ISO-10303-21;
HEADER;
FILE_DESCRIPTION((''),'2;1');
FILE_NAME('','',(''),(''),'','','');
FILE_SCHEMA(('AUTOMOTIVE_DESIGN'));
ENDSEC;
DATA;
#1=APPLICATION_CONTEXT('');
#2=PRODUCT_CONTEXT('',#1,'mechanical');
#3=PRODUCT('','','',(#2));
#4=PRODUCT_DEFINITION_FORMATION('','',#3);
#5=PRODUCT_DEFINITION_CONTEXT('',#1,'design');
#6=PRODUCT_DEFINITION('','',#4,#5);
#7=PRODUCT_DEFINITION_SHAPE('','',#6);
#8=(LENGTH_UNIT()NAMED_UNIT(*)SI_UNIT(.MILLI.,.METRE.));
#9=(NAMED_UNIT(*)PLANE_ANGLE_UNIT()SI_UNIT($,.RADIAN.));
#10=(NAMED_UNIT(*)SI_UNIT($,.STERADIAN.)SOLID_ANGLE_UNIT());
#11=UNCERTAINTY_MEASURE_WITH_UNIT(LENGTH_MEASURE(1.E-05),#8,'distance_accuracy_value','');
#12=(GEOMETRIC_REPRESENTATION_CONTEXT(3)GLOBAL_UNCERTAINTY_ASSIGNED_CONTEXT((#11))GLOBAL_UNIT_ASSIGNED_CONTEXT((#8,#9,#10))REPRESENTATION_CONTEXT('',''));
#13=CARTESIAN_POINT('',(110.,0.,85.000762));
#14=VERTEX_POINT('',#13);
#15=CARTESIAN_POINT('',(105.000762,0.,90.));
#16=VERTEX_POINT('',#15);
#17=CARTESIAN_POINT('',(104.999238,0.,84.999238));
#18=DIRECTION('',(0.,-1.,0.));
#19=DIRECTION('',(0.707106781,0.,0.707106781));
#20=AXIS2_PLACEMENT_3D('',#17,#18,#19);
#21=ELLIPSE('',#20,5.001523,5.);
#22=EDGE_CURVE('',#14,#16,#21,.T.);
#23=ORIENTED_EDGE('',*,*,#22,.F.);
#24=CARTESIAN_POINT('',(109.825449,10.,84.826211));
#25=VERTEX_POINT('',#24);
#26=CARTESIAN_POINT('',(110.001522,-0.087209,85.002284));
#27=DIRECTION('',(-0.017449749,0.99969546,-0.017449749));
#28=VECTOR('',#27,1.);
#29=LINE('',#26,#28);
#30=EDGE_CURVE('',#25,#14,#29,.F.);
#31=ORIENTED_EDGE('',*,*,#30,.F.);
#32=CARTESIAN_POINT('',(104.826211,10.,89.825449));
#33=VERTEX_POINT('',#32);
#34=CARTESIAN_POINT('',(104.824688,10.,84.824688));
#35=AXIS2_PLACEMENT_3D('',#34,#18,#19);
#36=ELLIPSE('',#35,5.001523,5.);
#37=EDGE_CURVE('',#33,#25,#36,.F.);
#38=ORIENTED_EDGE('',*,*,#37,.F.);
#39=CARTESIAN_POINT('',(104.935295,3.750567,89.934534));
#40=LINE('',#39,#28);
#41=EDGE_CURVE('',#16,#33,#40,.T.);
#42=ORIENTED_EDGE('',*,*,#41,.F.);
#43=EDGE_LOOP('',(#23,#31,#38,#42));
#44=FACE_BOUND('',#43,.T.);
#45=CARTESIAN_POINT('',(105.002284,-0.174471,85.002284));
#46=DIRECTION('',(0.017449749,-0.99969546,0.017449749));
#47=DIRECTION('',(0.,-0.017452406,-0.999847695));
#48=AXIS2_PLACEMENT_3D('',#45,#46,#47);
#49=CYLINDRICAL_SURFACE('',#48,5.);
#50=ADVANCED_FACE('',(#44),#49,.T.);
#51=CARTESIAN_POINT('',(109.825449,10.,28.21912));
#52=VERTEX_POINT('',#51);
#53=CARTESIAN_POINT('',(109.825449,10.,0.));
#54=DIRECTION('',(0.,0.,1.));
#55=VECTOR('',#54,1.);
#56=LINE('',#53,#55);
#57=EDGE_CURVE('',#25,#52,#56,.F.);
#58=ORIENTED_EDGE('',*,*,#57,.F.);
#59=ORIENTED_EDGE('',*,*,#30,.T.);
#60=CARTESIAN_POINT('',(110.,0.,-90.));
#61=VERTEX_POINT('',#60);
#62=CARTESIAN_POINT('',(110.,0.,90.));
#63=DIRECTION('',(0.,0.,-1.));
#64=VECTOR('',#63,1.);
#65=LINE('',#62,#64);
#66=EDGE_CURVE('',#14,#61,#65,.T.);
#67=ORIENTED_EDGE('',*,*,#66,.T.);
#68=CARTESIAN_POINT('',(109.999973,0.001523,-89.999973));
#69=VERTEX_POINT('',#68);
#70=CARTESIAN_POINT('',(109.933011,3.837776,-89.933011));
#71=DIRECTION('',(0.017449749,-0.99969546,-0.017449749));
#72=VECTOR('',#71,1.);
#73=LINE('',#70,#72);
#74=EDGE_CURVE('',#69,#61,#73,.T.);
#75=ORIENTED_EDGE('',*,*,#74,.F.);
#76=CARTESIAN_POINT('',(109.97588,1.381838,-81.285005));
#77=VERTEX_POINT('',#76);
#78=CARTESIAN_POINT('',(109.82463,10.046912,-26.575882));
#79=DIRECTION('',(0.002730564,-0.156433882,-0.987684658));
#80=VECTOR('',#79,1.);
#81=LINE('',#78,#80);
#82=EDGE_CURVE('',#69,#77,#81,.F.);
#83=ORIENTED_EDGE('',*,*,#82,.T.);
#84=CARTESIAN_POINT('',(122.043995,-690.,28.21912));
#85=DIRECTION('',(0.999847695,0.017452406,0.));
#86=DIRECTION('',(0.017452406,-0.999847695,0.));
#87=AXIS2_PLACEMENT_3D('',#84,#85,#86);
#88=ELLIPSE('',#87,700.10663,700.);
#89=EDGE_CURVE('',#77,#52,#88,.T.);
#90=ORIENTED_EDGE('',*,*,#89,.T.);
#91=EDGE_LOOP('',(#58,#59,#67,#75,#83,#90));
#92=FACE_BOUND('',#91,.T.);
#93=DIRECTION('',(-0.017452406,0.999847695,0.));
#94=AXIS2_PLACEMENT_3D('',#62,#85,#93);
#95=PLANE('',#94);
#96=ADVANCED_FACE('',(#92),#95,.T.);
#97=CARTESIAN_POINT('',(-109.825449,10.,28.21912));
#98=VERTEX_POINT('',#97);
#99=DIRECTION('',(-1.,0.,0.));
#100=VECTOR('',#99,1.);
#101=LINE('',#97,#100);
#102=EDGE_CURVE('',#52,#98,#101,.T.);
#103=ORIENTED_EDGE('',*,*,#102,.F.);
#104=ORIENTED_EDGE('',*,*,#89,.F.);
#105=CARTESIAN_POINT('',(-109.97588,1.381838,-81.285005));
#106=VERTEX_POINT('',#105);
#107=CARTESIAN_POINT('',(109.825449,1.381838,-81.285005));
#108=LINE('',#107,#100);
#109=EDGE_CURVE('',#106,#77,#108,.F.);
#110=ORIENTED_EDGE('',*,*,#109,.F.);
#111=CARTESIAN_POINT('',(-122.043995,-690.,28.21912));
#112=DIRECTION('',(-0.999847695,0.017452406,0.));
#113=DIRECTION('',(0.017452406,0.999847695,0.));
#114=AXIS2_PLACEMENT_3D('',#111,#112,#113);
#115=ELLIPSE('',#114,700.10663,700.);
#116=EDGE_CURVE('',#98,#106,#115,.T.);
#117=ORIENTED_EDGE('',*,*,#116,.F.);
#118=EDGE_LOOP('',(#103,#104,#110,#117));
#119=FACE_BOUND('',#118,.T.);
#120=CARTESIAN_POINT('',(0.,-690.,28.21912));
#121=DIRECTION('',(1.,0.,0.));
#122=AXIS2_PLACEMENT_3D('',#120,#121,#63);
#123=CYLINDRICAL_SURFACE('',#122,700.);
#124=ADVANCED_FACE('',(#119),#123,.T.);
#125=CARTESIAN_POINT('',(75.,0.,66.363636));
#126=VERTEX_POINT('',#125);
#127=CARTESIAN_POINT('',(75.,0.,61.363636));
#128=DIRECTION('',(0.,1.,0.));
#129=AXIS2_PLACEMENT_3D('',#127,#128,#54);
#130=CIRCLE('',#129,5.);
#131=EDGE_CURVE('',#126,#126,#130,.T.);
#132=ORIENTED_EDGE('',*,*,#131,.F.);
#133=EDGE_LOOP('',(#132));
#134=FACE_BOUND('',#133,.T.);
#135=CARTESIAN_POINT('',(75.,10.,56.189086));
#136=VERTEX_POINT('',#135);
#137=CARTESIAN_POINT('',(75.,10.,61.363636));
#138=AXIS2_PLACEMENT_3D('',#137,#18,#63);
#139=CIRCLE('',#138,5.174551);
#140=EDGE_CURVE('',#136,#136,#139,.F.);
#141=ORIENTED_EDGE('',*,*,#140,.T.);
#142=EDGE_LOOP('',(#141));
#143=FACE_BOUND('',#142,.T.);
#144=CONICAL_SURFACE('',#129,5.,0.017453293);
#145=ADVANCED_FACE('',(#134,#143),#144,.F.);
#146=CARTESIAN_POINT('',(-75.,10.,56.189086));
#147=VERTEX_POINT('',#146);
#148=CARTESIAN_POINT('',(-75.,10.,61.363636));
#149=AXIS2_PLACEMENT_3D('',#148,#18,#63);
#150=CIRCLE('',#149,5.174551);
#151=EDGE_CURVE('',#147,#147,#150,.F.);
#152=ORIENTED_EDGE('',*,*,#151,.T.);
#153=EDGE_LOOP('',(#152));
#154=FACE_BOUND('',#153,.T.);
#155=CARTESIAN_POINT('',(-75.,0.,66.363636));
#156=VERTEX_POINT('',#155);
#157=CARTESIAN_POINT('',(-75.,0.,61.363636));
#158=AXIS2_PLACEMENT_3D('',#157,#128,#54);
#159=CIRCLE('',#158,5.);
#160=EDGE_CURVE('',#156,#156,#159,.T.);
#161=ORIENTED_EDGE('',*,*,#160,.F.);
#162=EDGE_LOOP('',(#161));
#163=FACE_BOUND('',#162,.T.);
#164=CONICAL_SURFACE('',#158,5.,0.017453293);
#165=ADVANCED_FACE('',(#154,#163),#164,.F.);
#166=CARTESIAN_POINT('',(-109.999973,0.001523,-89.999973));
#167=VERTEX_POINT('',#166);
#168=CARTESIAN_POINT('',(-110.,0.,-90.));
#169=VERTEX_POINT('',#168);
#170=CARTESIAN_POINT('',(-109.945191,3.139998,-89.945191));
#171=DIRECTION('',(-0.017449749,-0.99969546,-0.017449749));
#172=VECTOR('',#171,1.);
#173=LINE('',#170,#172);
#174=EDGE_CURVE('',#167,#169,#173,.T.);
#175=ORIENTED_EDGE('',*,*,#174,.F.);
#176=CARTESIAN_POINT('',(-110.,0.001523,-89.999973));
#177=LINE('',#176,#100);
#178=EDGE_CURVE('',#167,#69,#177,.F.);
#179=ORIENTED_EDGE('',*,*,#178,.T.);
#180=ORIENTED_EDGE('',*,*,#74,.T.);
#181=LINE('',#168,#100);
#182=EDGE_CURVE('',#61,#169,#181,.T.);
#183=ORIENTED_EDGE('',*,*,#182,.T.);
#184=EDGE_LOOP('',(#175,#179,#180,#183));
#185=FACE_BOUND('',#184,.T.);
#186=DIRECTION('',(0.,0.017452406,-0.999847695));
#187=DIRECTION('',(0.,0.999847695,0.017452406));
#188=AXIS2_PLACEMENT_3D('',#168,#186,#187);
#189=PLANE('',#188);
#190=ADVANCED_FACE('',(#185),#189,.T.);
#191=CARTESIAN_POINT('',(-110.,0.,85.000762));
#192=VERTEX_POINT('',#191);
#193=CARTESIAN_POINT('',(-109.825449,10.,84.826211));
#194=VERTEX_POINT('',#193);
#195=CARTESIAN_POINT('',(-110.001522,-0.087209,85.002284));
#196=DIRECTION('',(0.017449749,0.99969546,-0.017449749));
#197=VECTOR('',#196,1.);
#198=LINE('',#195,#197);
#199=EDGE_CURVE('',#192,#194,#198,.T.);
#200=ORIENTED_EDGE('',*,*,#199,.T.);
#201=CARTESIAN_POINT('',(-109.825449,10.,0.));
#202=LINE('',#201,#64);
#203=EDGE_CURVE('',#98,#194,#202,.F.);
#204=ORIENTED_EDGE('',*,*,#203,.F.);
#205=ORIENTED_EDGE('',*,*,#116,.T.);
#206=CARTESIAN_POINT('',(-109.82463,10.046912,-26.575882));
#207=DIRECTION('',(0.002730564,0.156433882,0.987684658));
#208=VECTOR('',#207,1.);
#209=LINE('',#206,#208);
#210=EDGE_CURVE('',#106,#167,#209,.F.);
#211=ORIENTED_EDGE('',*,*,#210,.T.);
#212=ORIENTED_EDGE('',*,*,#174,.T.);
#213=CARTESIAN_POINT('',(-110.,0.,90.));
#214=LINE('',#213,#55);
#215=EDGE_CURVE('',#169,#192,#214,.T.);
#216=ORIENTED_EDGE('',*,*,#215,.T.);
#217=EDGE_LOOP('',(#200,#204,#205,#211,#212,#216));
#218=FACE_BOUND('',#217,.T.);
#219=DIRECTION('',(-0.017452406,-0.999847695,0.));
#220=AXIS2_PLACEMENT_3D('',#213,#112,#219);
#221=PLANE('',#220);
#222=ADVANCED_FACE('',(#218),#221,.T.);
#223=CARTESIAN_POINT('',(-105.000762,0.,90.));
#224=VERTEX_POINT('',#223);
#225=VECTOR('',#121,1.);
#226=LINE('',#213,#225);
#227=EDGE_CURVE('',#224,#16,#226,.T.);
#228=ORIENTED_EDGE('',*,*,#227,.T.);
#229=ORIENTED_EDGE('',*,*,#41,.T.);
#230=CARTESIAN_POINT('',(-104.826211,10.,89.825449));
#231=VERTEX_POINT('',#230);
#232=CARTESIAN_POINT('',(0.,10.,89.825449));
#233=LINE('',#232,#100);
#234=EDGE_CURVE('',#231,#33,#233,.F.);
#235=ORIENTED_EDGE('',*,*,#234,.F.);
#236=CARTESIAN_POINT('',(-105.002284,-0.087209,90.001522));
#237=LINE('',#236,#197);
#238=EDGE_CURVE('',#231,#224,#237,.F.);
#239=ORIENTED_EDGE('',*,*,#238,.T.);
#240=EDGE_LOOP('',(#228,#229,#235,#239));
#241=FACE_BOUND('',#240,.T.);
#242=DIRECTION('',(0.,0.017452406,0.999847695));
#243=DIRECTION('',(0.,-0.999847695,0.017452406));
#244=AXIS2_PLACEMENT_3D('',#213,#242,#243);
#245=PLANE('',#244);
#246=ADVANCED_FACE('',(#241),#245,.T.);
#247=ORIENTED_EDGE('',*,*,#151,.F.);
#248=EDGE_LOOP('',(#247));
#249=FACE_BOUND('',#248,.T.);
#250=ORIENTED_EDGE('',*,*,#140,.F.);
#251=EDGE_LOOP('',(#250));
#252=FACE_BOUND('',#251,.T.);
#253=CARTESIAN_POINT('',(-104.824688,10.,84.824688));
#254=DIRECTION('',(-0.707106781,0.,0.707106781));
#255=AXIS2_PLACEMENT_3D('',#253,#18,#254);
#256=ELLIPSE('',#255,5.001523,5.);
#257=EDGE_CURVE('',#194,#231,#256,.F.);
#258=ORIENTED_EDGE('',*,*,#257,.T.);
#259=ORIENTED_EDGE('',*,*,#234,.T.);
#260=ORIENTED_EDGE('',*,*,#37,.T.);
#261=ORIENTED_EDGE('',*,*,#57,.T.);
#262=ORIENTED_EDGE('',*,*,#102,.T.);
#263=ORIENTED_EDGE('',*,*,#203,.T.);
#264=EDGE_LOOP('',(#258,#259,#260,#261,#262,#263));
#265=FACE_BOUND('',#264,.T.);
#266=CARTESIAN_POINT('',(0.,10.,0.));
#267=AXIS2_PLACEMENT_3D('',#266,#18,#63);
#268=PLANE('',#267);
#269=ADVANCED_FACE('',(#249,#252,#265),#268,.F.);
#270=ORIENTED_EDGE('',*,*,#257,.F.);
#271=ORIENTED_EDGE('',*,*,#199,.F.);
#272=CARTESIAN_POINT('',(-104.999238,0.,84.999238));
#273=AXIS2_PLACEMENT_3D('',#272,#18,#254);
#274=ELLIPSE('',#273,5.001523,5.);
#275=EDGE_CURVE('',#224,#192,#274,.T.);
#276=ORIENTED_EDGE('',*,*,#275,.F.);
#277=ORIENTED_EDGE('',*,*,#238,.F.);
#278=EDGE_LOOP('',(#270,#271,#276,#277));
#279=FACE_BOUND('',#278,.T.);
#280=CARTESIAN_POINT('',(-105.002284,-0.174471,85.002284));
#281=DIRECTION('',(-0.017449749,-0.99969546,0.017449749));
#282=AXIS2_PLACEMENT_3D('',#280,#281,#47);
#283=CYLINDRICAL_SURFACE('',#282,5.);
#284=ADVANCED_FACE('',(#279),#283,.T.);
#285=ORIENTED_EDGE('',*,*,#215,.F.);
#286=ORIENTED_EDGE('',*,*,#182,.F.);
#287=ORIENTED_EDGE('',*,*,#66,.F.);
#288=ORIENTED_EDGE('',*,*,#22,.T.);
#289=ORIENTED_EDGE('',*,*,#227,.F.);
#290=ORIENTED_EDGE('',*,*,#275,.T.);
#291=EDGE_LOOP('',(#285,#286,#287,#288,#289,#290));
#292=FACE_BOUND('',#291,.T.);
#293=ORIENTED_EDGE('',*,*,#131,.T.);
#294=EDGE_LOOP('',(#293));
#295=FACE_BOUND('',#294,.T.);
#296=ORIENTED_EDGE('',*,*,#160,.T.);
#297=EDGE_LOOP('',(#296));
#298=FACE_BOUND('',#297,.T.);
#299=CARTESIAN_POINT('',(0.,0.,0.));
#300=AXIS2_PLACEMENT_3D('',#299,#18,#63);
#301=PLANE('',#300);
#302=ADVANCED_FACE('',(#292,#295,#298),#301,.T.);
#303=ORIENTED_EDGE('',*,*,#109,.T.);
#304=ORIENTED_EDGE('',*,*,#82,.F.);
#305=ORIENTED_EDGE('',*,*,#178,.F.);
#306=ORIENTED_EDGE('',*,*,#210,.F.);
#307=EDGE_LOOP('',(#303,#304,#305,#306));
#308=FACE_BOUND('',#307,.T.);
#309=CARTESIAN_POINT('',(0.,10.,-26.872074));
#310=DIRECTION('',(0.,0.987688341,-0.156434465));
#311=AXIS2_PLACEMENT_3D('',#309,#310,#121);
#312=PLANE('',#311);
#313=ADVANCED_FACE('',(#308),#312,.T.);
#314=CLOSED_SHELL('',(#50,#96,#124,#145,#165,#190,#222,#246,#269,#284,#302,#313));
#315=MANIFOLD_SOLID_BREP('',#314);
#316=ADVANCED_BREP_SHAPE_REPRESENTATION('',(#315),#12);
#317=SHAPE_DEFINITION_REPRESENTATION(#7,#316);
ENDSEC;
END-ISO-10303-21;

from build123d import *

# Parameters (mm, degrees)
SKETCH_1_W      = 220
SKETCH_1_H      = 180
SKETCH_1_R      = 5
EXTRUDE_1_DEPTH = 10
EXTRUDE_1_DRAFT = 1
FILLET_1_R      = 5
CHAMFER_1_SIZE  = 10
CHAMFER_1_SIZE2 = 62.953374933
FILLET_2_R      = 700


with BuildPart() as part:
    # 草图1 → 凸台-拉伸1 (with draft: the straight prism first)
    with BuildSketch(Plane(origin=(0, 0, 0), x_dir=(1, 0, 0), z_dir=(0, 1, 0))):
        Rectangle(SKETCH_1_W, SKETCH_1_H)
        with Locations((-75, -61.363636364)):
            Circle(SKETCH_1_R, mode=Mode.SUBTRACT)
        with Locations((75, -61.363636364)):
            Circle(SKETCH_1_R, mode=Mode.SUBTRACT)
    extrude(amount=EXTRUDE_1_DEPTH)
    # 凸台-拉伸1: the draft: its side faces are tilted about the plane it starts from
    extrude_1_sides = [part.faces().sort_by_distance(p)[0] for p in [
        (0, 5, 90),
        (110, 5, 0),
        (0, 5, -90),
        (-110, 5, 0),
        (-80, 5, 61.363636364),
        (70, 5, 61.363636364),
    ]]
    draft(extrude_1_sides, Plane(origin=(0, 0, 0), x_dir=(1, 0, 0), z_dir=(0, 1, 0)), EXTRUDE_1_DRAFT)

    # 圆角1
    fillet_1_edges = [part.edges().sort_by_distance(p)[0] for p in [
        (109.912724675, 5, 89.912724675),
        (-109.912724675, 5, 89.912724675),
    ]]
    fillet(fillet_1_edges, radius=FILLET_1_R)

    # 倒角1
    chamfer_1_edges = [part.edges().sort_by_distance(p)[0] for p in [
        (0, 10, -89.825449351),
    ]]
    chamfer_1_side = [part.faces().sort_by_distance(p)[0] for p in [
        (0, 4.998676597, -89.912747775),
    ]]
    chamfer(chamfer_1_edges, length=CHAMFER_1_SIZE, length2=CHAMFER_1_SIZE2, reference=chamfer_1_side[0])

    # 圆角2
    fillet_2_edges = [part.edges().sort_by_distance(p)[0] for p in [
        (0, 10, -26.872074418),
    ]]
    fillet(fillet_2_edges, radius=FILLET_2_R)


solid = part.part
